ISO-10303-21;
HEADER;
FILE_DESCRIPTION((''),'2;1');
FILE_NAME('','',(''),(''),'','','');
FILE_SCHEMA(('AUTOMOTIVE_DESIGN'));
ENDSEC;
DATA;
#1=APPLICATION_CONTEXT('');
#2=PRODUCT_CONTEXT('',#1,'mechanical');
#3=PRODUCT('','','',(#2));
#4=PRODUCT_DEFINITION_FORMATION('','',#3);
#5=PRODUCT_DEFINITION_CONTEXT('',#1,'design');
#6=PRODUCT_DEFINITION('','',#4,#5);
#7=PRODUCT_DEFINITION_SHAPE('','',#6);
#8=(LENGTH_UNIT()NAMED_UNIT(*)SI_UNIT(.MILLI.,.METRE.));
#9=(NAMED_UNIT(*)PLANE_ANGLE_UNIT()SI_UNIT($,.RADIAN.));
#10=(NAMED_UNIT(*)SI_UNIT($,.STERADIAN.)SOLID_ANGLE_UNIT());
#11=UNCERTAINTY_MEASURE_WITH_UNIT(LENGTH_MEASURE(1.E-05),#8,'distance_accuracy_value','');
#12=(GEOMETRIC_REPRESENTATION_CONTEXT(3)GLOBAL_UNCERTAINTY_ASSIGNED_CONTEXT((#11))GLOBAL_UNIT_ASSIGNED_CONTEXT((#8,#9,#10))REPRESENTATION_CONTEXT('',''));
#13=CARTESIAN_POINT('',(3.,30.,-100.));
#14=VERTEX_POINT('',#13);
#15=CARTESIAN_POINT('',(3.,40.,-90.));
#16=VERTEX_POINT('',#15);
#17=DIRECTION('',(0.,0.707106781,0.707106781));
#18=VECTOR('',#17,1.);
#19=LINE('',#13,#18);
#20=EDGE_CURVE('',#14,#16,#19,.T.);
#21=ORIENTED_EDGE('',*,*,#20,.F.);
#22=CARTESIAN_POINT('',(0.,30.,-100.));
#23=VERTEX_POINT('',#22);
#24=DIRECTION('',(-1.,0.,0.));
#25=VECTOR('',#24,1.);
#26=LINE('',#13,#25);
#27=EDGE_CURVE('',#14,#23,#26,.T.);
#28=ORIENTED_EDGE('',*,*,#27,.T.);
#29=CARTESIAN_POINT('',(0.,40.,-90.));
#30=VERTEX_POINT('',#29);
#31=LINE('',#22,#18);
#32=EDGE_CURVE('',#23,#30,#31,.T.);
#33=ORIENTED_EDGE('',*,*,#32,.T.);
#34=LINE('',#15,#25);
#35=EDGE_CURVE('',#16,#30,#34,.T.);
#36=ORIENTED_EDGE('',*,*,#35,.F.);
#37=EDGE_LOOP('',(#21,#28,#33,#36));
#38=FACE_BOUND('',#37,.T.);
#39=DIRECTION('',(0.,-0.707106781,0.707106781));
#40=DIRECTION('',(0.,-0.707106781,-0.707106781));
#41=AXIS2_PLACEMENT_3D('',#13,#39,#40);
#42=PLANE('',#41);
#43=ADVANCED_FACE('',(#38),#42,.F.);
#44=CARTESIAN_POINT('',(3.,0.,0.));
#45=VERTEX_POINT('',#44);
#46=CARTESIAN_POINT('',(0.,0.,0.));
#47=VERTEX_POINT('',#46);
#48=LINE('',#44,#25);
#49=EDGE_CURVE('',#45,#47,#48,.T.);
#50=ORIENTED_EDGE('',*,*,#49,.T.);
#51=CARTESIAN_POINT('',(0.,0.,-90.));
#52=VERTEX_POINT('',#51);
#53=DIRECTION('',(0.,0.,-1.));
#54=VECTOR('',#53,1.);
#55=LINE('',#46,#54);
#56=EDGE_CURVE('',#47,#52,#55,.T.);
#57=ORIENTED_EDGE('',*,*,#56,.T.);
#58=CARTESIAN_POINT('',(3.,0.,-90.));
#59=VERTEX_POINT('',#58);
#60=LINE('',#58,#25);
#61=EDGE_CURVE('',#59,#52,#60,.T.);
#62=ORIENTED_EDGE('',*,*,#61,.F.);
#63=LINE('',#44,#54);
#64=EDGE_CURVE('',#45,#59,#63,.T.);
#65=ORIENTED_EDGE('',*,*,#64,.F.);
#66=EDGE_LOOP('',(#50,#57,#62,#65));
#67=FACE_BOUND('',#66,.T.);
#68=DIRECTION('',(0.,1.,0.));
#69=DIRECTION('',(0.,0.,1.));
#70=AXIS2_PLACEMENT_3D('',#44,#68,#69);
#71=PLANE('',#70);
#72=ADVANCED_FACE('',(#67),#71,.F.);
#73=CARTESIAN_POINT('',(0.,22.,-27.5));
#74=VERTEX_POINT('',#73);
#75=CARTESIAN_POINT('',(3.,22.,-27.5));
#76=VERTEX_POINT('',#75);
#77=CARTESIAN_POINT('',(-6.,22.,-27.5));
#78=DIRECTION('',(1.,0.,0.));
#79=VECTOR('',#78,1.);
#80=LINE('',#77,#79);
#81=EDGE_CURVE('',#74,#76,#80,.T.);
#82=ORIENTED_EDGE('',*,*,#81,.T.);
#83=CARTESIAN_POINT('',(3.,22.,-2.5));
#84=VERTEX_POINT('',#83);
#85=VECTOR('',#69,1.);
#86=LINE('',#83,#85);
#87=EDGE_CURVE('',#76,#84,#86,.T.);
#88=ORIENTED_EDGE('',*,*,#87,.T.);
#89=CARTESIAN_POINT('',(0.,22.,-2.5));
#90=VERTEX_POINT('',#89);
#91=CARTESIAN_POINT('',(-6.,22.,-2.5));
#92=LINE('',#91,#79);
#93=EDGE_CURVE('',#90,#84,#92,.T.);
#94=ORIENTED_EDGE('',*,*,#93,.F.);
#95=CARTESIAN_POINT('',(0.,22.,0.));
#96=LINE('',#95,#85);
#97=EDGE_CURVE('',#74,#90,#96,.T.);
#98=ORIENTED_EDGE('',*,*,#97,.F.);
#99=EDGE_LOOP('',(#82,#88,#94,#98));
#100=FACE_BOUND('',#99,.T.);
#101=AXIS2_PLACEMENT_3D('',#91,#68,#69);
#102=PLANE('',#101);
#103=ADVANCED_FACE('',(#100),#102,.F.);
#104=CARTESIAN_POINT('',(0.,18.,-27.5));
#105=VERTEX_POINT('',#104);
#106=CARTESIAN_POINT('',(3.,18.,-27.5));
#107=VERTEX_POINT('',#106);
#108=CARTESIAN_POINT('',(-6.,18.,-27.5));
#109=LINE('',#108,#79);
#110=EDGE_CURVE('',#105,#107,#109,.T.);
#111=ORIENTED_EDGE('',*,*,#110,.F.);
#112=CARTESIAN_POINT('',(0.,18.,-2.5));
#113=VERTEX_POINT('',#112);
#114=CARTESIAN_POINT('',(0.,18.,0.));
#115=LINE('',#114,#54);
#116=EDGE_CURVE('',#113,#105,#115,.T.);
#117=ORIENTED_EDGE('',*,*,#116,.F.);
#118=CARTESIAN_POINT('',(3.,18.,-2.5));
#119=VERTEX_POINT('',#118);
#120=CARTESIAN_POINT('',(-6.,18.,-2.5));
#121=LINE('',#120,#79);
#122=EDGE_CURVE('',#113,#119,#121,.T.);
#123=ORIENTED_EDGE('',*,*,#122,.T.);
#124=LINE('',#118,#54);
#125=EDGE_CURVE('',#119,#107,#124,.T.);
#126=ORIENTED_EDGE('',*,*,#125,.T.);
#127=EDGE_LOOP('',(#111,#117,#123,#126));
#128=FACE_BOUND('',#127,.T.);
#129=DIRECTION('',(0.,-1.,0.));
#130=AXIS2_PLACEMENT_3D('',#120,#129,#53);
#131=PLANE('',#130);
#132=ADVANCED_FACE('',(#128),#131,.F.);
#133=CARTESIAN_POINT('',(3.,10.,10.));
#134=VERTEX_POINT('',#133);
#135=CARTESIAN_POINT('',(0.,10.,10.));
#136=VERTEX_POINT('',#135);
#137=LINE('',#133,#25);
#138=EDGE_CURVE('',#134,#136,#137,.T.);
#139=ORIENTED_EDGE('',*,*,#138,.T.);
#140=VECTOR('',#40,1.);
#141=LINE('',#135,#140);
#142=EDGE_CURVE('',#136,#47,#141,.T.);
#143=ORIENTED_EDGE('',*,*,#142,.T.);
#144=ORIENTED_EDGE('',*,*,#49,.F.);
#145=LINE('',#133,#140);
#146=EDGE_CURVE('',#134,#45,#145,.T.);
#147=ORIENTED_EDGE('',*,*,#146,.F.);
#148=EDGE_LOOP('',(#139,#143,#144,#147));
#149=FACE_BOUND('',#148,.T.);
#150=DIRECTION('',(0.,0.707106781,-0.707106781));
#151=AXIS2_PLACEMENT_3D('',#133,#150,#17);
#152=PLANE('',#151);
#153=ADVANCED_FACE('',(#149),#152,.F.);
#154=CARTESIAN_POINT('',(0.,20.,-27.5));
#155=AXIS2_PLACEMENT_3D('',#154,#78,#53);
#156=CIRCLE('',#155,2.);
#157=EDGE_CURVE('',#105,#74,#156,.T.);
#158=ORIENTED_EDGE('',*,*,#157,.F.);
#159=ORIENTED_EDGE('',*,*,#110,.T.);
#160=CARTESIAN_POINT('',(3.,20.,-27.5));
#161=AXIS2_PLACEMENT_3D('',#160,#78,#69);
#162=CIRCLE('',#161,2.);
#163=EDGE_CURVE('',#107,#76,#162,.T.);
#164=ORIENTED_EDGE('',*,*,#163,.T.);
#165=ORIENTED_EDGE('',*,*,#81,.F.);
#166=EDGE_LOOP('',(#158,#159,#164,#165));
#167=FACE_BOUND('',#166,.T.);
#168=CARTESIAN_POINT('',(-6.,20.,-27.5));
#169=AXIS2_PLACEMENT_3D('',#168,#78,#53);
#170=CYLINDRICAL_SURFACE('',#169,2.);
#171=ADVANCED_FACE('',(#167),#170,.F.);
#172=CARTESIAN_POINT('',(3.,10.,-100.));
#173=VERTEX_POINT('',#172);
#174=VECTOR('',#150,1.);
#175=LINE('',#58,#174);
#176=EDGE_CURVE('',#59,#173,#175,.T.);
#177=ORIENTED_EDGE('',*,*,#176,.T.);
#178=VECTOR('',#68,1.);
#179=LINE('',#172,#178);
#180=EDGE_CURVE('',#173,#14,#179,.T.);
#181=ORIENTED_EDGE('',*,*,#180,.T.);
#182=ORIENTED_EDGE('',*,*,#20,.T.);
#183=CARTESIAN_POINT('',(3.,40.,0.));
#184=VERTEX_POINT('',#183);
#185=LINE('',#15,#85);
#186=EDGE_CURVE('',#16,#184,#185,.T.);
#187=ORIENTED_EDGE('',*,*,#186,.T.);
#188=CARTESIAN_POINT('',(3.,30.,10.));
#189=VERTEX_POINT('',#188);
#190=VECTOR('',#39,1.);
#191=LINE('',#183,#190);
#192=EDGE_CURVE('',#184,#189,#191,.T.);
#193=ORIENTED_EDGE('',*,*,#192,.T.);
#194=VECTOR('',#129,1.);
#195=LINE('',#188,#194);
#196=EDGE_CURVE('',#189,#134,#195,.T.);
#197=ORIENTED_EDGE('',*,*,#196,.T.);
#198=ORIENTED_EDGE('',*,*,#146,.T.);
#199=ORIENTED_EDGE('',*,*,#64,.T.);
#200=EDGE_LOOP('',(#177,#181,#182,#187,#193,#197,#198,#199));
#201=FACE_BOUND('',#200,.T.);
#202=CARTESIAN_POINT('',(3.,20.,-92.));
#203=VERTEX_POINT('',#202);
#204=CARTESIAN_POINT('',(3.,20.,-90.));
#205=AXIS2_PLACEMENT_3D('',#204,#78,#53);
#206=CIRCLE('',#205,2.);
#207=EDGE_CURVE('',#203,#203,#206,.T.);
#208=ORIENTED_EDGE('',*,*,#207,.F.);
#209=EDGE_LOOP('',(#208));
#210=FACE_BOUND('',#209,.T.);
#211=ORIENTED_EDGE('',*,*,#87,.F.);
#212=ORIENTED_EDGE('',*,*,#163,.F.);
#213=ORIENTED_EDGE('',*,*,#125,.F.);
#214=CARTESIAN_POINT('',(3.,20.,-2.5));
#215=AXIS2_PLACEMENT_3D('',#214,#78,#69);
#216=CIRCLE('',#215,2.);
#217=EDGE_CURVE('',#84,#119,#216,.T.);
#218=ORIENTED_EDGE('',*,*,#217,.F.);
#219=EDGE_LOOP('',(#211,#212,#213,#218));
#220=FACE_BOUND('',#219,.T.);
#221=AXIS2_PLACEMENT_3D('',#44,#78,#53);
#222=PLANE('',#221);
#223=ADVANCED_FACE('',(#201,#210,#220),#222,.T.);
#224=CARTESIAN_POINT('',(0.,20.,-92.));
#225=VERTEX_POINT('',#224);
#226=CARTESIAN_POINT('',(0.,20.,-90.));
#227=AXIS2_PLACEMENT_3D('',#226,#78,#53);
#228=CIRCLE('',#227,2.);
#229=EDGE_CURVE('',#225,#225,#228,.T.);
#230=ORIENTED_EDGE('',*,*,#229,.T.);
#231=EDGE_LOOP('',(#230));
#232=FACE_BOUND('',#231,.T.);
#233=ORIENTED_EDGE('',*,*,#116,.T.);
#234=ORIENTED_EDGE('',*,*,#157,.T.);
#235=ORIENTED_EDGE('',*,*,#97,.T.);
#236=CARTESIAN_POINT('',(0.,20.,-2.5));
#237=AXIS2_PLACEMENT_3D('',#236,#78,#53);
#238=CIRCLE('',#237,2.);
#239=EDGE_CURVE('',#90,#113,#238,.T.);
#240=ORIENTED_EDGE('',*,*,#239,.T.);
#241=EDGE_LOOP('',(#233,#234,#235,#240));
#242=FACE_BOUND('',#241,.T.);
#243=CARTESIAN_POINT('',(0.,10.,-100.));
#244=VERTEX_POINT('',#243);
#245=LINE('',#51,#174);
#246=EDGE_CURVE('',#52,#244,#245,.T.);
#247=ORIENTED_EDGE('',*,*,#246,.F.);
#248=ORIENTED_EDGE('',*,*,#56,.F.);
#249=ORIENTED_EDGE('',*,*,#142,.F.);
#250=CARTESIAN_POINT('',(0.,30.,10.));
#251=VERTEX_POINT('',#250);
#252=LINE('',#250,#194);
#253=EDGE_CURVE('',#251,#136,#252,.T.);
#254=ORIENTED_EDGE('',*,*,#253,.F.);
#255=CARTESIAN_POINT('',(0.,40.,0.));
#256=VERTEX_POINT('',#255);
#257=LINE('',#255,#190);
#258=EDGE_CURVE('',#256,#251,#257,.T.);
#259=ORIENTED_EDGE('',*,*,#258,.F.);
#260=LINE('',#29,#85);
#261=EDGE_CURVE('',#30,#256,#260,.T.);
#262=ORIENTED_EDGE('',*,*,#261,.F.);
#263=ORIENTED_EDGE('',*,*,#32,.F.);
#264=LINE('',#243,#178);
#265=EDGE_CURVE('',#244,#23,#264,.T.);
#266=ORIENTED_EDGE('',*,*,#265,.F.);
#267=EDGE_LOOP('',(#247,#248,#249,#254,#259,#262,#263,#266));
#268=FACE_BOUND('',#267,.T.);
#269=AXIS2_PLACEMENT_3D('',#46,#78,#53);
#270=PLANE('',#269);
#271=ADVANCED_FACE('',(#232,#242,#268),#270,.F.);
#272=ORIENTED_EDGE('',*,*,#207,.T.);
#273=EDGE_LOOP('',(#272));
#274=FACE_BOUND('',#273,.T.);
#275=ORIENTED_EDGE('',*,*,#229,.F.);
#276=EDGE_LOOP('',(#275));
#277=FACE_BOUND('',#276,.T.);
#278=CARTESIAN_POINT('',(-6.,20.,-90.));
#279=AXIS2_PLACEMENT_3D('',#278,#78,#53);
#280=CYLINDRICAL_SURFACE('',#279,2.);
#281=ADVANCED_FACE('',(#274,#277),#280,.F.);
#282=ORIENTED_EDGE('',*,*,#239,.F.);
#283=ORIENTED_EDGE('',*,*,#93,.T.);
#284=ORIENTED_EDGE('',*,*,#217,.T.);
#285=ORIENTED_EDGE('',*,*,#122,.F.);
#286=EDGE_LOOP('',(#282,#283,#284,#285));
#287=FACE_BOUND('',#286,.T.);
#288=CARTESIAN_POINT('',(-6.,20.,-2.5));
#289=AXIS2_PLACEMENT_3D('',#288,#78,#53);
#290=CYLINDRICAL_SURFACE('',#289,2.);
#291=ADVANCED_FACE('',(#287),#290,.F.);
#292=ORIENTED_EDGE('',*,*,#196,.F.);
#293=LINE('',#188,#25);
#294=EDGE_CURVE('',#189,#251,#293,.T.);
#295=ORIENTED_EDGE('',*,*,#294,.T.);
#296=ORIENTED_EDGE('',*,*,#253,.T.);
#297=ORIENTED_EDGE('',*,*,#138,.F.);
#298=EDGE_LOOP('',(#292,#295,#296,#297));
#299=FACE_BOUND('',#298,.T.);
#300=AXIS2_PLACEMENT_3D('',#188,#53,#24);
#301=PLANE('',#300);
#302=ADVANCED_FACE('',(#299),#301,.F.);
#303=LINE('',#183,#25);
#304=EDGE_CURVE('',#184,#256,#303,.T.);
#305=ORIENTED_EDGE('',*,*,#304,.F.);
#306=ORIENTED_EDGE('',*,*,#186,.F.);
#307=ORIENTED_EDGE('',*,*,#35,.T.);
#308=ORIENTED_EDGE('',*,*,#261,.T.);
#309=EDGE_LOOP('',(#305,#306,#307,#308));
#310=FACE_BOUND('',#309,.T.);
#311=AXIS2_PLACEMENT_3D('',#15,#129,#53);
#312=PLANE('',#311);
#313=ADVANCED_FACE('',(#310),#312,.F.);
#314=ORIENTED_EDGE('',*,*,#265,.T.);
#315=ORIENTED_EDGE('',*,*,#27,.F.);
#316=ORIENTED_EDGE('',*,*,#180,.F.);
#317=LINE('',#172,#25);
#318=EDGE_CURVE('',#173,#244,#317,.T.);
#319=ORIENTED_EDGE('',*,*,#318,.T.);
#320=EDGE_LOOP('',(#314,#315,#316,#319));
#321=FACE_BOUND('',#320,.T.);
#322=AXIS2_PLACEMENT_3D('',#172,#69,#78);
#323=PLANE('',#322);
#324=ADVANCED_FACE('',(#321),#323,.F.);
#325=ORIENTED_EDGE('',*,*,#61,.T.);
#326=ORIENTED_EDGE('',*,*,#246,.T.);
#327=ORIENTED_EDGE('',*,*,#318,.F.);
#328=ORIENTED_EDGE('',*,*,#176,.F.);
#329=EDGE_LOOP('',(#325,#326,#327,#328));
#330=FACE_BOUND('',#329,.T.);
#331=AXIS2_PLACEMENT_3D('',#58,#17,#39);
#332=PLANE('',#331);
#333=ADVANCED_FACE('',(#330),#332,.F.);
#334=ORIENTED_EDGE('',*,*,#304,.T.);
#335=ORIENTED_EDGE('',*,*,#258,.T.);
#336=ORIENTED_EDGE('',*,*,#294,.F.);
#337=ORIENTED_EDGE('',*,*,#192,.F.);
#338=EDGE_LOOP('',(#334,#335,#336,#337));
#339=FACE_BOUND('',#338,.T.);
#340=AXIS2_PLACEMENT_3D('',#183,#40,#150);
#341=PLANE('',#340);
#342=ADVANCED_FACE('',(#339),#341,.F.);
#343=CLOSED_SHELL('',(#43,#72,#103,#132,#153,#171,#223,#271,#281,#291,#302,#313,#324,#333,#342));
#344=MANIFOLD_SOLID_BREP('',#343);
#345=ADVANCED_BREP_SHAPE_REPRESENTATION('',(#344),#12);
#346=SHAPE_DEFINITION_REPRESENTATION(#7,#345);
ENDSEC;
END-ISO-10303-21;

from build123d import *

# Parameters (mm, degrees)
SALIENTE_EXTRUIR1_DEPTH = 3
CROQUIS3_R              = 2
CORTAR_EXTRUIR1_DEPTH   = 9


with BuildPart() as part:
    # Croquis2 → Saliente-Extruir1 (new body)
    with BuildSketch(Plane(origin=(0, 0, 0), x_dir=(0, 0, -1), z_dir=(1, 0, 0))):
        Polygon((0, 0), (90, 0), (100, 10), (100, 30), (90, 40), (0, 40), (-10, 30), (-10, 10), align=None)
    extrude(amount=SALIENTE_EXTRUIR1_DEPTH)

    # Croquis3 → Cortar-Extruir1 (cut)
    with BuildSketch(Plane(origin=(3, 0, 0), x_dir=(0, 0, -1), z_dir=(1, 0, 0))):
        with Locations((90, 20)):
            Circle(CROQUIS3_R)
        with BuildLine():
            Line((2.5, 22), (27.5, 22))
            ThreePointArc((27.5, 22), (29.5, 20), (27.5, 18))
            Line((27.5, 18), (2.5, 18))
            ThreePointArc((2.5, 18), (0.5, 20), (2.5, 22))
        make_face()
    extrude(amount=-CORTAR_EXTRUIR1_DEPTH, mode=Mode.SUBTRACT)


solid = part.part
